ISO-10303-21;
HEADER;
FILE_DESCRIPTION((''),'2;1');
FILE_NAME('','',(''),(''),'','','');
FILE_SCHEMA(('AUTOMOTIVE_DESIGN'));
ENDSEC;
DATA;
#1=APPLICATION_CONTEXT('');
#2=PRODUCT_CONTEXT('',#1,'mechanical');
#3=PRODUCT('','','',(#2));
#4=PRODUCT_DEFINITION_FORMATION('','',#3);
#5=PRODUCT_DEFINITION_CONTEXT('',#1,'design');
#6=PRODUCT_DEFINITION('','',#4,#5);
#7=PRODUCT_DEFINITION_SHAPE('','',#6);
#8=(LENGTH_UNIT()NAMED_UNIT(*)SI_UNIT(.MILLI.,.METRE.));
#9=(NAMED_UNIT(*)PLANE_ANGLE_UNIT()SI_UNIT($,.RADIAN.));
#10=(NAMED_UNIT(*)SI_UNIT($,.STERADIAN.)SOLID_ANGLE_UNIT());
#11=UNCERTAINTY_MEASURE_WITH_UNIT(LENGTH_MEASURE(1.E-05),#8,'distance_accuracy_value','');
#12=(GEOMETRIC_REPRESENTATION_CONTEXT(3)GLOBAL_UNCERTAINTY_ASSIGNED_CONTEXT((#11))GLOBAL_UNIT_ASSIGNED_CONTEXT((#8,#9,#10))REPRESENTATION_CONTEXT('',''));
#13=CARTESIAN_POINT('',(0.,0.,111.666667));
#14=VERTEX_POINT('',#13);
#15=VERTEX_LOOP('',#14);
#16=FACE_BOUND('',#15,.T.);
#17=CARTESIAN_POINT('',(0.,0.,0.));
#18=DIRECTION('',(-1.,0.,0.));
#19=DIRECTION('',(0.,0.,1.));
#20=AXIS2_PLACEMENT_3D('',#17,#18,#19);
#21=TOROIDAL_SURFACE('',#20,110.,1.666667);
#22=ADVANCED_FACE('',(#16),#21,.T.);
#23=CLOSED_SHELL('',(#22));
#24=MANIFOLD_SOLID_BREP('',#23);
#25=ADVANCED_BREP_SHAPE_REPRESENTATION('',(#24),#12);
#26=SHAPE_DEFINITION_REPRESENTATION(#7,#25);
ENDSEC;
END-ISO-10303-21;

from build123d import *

# Parameters (mm, degrees)
SKETCH1_R = 1.666666667


with BuildPart() as part:
    # Sketch1 → Revolve1 (revolve)
    with BuildSketch(Plane.XY, mode=Mode.PRIVATE) as revolve1_sk:
        with Locations((0, 110)):
            Circle(SKETCH1_R)
    revolve(revolve1_sk.sketch.rotate(Axis((-73.342827111, 0, 0), (1, 0, 0)), 90), axis=Axis((-73.342827111, 0, 0), (1, 0, 0)))


solid = part.part
